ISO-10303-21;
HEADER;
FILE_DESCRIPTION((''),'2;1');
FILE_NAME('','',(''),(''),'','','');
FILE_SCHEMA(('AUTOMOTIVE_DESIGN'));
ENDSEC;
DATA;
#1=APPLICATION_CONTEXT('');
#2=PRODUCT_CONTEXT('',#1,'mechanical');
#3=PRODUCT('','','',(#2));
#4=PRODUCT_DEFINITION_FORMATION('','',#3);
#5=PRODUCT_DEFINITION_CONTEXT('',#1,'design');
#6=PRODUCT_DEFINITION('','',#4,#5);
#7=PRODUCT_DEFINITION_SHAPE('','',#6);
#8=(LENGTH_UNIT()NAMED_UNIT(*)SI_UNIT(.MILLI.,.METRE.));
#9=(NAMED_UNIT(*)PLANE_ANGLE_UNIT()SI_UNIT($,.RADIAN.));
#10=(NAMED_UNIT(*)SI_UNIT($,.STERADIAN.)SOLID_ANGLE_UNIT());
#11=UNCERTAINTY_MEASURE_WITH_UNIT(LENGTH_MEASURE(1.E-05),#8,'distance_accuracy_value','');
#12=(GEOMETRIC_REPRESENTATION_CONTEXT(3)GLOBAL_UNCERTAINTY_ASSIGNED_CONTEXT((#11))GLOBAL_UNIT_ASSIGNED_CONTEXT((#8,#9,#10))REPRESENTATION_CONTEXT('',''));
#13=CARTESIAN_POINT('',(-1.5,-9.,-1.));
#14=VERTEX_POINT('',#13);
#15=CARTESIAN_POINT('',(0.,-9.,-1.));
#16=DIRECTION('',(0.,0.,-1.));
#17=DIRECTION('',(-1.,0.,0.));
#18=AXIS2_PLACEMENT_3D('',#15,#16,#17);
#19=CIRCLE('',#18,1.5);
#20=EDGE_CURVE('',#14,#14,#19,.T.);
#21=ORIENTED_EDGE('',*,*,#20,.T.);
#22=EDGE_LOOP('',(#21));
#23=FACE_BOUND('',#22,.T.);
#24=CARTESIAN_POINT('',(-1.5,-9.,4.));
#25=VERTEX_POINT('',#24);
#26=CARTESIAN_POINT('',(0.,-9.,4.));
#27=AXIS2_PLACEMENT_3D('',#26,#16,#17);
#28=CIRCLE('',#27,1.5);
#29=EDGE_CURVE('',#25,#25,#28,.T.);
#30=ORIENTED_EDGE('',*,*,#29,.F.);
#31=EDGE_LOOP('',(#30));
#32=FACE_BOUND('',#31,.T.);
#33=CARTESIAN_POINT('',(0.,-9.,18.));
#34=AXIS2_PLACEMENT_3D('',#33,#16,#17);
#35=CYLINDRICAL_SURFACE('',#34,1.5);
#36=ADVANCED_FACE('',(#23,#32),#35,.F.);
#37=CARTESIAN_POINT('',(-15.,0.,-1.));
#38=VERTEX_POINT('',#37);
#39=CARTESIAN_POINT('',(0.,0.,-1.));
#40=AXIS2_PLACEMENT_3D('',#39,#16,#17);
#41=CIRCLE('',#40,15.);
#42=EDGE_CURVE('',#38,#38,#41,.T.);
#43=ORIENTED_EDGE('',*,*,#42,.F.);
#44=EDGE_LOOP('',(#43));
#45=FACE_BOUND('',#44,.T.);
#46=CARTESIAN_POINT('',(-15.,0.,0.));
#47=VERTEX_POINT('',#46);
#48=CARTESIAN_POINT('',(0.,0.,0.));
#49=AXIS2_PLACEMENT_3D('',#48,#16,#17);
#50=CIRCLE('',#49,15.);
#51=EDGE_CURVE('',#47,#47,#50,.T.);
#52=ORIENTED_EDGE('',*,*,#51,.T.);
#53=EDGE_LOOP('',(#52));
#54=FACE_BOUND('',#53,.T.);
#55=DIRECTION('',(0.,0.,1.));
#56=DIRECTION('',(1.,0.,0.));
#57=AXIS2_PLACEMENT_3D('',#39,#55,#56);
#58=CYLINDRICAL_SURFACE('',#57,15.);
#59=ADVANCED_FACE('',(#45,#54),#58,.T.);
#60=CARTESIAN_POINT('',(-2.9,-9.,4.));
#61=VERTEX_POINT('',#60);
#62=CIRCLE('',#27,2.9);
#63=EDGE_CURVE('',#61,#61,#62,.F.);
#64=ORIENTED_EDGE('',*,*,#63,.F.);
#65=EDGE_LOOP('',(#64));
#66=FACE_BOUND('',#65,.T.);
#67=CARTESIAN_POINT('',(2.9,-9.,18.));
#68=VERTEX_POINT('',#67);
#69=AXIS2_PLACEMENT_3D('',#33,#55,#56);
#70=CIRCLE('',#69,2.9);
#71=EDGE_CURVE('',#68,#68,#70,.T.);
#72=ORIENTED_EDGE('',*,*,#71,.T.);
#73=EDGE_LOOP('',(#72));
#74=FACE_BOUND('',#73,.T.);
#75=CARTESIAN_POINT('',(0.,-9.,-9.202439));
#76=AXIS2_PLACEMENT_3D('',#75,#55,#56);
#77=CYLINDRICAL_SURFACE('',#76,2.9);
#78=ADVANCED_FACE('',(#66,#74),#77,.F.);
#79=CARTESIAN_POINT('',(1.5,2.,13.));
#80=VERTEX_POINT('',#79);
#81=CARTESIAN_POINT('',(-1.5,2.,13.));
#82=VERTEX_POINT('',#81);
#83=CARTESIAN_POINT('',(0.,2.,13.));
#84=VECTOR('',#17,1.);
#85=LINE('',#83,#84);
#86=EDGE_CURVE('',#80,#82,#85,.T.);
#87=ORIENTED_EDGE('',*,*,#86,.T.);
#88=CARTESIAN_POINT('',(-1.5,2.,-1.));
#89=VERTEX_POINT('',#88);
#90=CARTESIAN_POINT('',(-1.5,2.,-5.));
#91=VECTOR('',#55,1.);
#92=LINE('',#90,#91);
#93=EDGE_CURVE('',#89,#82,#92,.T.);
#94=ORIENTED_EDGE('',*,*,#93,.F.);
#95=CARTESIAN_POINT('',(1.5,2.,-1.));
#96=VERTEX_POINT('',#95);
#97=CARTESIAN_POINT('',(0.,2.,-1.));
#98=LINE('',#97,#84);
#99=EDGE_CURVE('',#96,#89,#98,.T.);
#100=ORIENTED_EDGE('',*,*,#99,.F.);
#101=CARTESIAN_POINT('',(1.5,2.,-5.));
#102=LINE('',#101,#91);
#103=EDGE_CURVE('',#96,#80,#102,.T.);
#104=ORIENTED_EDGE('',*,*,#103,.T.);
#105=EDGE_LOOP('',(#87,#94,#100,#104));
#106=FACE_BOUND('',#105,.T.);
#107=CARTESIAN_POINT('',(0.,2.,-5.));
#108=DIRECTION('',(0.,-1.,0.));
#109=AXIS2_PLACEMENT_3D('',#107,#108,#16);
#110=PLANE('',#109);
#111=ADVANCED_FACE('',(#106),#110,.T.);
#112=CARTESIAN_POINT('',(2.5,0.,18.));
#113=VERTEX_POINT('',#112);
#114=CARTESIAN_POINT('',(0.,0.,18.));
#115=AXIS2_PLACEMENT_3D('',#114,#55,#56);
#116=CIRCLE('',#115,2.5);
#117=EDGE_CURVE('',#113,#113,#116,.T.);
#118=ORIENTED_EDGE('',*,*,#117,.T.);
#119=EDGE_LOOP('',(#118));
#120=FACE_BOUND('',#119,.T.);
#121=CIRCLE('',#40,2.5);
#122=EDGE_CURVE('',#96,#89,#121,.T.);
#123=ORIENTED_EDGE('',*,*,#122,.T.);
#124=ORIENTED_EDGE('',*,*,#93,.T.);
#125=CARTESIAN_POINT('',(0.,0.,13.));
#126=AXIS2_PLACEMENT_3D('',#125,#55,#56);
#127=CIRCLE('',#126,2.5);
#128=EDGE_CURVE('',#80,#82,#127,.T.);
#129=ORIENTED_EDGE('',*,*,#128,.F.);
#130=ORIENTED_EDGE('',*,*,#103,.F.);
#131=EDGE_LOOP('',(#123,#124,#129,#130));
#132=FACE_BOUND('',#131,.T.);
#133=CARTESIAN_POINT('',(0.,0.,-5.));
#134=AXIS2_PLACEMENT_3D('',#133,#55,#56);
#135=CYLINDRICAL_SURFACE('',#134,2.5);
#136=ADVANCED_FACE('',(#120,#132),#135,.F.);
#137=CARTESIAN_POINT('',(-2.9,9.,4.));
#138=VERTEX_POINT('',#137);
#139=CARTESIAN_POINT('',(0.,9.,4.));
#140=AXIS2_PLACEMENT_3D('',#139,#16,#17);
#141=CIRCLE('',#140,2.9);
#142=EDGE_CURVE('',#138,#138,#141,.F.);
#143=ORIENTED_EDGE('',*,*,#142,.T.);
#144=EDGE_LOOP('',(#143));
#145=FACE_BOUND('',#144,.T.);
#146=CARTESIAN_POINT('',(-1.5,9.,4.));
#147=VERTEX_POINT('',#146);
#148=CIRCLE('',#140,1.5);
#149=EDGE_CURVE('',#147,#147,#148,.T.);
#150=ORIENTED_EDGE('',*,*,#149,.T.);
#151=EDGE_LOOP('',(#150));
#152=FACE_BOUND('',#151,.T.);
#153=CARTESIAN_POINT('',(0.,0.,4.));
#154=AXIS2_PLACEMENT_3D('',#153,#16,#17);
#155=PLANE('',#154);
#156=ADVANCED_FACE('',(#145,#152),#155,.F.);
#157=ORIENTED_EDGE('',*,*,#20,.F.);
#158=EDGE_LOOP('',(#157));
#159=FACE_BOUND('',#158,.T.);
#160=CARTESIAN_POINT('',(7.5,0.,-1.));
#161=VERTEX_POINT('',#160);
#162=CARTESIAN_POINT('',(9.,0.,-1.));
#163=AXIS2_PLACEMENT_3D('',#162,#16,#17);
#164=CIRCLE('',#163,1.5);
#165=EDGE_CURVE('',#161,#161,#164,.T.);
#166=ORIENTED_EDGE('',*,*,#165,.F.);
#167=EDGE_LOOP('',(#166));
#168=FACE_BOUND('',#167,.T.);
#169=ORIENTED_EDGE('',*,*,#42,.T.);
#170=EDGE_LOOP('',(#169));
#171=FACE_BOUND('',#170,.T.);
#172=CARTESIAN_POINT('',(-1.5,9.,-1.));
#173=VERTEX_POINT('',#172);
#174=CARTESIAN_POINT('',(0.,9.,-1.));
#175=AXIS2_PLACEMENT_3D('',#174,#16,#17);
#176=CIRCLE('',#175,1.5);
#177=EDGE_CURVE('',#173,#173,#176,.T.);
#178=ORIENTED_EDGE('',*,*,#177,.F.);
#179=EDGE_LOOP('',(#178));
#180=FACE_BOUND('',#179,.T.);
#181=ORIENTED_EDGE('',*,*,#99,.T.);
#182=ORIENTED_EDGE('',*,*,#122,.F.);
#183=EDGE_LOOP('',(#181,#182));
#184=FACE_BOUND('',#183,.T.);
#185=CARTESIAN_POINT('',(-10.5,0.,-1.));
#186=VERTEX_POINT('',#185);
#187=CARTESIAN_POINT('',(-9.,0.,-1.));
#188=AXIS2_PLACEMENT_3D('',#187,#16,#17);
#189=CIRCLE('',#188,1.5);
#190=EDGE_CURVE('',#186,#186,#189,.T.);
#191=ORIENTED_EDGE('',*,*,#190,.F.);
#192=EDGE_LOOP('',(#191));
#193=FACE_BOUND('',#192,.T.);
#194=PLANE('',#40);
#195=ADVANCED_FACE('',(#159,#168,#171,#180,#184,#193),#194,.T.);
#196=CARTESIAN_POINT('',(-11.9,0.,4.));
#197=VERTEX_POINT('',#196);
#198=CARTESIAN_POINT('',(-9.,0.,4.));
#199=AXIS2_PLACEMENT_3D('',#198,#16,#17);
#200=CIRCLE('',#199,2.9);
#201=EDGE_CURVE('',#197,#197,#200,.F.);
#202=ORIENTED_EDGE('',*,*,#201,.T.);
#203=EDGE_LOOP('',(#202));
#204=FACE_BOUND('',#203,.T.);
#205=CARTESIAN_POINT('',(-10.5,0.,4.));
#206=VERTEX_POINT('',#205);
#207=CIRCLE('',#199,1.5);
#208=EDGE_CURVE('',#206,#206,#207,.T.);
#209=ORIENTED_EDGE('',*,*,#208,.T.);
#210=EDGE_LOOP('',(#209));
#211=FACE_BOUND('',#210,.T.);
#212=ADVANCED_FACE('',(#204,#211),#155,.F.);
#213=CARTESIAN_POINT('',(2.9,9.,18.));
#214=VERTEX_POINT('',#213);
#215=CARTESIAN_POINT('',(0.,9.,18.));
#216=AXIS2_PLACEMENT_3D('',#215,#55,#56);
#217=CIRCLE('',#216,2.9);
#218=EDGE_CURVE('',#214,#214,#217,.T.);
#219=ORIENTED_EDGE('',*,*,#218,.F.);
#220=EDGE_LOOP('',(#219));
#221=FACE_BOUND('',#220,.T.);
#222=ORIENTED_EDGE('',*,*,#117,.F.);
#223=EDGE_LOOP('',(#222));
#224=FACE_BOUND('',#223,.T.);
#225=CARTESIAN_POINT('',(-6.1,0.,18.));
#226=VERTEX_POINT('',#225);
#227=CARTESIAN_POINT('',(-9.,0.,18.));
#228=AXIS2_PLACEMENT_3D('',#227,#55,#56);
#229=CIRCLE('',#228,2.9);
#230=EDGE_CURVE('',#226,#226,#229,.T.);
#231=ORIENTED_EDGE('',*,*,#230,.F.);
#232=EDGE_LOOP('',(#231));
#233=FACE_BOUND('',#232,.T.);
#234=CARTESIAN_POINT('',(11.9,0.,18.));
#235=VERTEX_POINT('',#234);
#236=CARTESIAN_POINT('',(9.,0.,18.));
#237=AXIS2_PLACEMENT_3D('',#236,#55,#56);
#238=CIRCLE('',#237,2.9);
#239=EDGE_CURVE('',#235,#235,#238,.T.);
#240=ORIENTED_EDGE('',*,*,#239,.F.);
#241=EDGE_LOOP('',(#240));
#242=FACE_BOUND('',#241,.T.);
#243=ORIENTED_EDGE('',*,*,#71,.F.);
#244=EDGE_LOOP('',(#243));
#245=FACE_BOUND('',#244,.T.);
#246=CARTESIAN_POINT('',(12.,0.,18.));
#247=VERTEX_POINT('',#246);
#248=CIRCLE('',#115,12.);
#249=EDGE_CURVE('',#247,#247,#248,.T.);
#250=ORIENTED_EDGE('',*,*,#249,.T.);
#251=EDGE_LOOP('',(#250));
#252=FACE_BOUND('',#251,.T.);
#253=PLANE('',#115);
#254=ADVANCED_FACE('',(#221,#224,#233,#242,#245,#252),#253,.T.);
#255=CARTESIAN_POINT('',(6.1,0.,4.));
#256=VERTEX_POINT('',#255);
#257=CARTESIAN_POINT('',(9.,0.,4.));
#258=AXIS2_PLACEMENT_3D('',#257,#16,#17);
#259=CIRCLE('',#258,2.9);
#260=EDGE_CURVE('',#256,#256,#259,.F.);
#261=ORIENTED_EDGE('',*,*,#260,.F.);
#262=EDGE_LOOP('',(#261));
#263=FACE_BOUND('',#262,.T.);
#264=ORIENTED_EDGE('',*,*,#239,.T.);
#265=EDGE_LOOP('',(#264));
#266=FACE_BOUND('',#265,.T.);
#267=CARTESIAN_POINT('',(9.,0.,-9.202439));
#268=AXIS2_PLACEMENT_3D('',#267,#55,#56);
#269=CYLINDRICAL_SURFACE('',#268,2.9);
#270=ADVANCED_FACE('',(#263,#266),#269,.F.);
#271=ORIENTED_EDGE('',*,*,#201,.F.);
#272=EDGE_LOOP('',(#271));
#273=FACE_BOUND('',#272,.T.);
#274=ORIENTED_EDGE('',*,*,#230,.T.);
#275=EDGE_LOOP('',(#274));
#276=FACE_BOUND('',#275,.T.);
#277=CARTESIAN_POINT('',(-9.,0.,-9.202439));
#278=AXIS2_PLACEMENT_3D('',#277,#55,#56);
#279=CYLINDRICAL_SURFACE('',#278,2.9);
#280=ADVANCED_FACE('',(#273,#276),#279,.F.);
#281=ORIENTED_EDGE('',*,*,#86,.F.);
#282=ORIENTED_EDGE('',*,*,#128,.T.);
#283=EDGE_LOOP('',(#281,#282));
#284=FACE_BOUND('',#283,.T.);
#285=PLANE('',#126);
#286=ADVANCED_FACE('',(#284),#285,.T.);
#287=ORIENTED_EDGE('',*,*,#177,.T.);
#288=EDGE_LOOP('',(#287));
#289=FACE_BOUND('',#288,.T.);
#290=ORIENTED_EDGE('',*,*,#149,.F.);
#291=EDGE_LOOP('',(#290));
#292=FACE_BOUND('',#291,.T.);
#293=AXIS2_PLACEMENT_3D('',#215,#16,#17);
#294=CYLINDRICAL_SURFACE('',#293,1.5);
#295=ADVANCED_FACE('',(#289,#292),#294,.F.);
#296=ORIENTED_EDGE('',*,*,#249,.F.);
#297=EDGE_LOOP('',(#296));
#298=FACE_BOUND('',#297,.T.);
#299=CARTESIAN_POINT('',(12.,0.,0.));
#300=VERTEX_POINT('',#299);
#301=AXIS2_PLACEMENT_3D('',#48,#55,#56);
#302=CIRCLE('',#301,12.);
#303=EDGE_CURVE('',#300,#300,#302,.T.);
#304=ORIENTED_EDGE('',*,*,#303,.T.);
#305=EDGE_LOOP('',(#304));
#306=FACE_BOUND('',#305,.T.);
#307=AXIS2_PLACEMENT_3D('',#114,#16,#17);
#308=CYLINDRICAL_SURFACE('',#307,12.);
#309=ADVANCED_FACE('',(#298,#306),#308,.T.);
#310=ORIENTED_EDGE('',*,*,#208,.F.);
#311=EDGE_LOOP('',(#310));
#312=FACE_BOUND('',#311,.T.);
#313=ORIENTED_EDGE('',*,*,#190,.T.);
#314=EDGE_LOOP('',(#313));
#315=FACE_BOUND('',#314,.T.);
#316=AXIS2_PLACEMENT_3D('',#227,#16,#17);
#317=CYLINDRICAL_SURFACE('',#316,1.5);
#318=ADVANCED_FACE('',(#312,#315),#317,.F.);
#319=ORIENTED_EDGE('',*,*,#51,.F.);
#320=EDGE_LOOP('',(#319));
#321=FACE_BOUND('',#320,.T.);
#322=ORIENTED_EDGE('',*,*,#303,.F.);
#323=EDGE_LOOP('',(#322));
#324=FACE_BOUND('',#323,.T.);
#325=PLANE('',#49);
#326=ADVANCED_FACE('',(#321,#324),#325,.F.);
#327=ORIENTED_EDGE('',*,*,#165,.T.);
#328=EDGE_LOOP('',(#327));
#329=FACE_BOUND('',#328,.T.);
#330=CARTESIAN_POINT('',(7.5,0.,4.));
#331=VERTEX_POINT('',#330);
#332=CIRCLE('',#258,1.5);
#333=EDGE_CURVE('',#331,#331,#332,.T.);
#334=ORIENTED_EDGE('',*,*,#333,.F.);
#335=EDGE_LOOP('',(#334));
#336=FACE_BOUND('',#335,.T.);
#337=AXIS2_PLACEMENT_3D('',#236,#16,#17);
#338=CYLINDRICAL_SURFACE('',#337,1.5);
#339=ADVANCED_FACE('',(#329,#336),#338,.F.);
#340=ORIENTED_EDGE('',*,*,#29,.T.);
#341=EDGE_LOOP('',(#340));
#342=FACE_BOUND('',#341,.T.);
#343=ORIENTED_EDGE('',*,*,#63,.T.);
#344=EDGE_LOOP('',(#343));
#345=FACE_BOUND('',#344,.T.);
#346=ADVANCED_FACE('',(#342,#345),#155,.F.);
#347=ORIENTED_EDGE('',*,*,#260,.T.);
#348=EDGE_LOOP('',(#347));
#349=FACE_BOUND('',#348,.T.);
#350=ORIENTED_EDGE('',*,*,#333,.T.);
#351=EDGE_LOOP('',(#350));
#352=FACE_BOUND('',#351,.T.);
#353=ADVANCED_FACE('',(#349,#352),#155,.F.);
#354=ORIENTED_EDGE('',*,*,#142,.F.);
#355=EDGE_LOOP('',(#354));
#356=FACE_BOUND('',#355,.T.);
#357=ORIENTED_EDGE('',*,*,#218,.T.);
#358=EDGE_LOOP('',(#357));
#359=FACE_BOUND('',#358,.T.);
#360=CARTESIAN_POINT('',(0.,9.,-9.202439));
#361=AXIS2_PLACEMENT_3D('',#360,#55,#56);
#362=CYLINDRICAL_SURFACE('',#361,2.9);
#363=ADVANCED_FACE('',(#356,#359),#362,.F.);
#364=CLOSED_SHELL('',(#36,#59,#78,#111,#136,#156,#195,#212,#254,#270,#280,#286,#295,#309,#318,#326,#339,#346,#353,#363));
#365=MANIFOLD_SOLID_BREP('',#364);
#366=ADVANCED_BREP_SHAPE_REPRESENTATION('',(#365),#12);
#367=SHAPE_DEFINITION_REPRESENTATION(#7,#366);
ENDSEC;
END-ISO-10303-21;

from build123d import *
from build123d.topology import SkipClean

# Parameters (mm, degrees)
SKIZZE1_R                       = 12
SKIZZE1_R_2                     = 1.5
AUFSATZ_LINEAR_AUSTRAGEN1_DEPTH = 18
AUFSATZ_LINEAR_START            = 1
SKIZZE4_R                       = 15
SKIZZE4_R_2                     = 1.5
AUFSATZ_LINEAR_AUSTRAGEN2_DEPTH = 1
SKIZZE2_R                       = 2.9
SCHNITT_LINEAR_AUSTRAGEN4_DEPTH = 14
SCHNITT_LINEAR_AUSTRAGEN5_DEPTH = 23
SKIZZE9_R                       = 2.5
SCHNITT_LINEAR_AUSTRAGEN7_DEPTH = 5


with BuildPart() as part:
    # Skizze1 → Aufsatz-Linear austragen1 (new body)
    with BuildSketch(Plane.XY):
        Circle(SKIZZE1_R)
        with Locations((9, 0)):
            Circle(SKIZZE1_R_2, mode=Mode.SUBTRACT)
        with Locations((0, -9)):
            Circle(SKIZZE1_R_2, mode=Mode.SUBTRACT)
        with Locations((-9, 0)):
            Circle(SKIZZE1_R_2, mode=Mode.SUBTRACT)
        with Locations((0, 9)):
            Circle(SKIZZE1_R_2, mode=Mode.SUBTRACT)
    extrude(amount=AUFSATZ_LINEAR_AUSTRAGEN1_DEPTH)

    # Skizze4 → Aufsatz-Linear austragen2 (add)
    with SkipClean():  # the faces are left unmerged after this step: merging them gives an invalid solid
        with BuildSketch(Plane(origin=(0, 0, 0), x_dir=(-1, 0, 0), z_dir=(0, 0, -1)).offset(AUFSATZ_LINEAR_START)):
            Circle(SKIZZE4_R)
            with Locations((0, 9)):
                Circle(SKIZZE4_R_2, mode=Mode.SUBTRACT)
            with Locations((9, 0)):
                Circle(SKIZZE4_R_2, mode=Mode.SUBTRACT)
            with Locations((0, -9)):
                Circle(SKIZZE4_R_2, mode=Mode.SUBTRACT)
            with Locations((-9, 0)):
                Circle(SKIZZE4_R_2, mode=Mode.SUBTRACT)
        extrude(amount=-AUFSATZ_LINEAR_AUSTRAGEN2_DEPTH)

    # Skizze2 → Schnitt-Linear austragen4 (cut)
    with BuildSketch(Plane.XY.offset(18)):
        with Locations((0, 9)):
            Circle(SKIZZE2_R)
        with Locations((9, 0)):
            Circle(SKIZZE2_R)
        with Locations((0, -9)):
            Circle(SKIZZE2_R)
        with Locations((-9, 0)):
            Circle(SKIZZE2_R)
    extrude(amount=-SCHNITT_LINEAR_AUSTRAGEN4_DEPTH, mode=Mode.SUBTRACT)

    # Skizze6 → Schnitt-Linear austragen5 (cut)
    with BuildSketch(Plane.XY.offset(18)):
        with BuildLine():
            Line((1.5, 2), (-1.5, 2))
            ThreePointArc((-1.5, 2), (-1.118033989, -2.236067977), (2.5, 0))
            ThreePointArc((2.5, 0), (2.236067977, 1.118033989), (1.5, 2))
        make_face()
    extrude(amount=-SCHNITT_LINEAR_AUSTRAGEN5_DEPTH, mode=Mode.SUBTRACT)

    # Skizze9 → Schnitt-Linear austragen7 (cut)
    with BuildSketch(Plane.XY.offset(18)):
        Circle(SKIZZE9_R)
    extrude(amount=-SCHNITT_LINEAR_AUSTRAGEN7_DEPTH, mode=Mode.SUBTRACT)


solid = part.part
